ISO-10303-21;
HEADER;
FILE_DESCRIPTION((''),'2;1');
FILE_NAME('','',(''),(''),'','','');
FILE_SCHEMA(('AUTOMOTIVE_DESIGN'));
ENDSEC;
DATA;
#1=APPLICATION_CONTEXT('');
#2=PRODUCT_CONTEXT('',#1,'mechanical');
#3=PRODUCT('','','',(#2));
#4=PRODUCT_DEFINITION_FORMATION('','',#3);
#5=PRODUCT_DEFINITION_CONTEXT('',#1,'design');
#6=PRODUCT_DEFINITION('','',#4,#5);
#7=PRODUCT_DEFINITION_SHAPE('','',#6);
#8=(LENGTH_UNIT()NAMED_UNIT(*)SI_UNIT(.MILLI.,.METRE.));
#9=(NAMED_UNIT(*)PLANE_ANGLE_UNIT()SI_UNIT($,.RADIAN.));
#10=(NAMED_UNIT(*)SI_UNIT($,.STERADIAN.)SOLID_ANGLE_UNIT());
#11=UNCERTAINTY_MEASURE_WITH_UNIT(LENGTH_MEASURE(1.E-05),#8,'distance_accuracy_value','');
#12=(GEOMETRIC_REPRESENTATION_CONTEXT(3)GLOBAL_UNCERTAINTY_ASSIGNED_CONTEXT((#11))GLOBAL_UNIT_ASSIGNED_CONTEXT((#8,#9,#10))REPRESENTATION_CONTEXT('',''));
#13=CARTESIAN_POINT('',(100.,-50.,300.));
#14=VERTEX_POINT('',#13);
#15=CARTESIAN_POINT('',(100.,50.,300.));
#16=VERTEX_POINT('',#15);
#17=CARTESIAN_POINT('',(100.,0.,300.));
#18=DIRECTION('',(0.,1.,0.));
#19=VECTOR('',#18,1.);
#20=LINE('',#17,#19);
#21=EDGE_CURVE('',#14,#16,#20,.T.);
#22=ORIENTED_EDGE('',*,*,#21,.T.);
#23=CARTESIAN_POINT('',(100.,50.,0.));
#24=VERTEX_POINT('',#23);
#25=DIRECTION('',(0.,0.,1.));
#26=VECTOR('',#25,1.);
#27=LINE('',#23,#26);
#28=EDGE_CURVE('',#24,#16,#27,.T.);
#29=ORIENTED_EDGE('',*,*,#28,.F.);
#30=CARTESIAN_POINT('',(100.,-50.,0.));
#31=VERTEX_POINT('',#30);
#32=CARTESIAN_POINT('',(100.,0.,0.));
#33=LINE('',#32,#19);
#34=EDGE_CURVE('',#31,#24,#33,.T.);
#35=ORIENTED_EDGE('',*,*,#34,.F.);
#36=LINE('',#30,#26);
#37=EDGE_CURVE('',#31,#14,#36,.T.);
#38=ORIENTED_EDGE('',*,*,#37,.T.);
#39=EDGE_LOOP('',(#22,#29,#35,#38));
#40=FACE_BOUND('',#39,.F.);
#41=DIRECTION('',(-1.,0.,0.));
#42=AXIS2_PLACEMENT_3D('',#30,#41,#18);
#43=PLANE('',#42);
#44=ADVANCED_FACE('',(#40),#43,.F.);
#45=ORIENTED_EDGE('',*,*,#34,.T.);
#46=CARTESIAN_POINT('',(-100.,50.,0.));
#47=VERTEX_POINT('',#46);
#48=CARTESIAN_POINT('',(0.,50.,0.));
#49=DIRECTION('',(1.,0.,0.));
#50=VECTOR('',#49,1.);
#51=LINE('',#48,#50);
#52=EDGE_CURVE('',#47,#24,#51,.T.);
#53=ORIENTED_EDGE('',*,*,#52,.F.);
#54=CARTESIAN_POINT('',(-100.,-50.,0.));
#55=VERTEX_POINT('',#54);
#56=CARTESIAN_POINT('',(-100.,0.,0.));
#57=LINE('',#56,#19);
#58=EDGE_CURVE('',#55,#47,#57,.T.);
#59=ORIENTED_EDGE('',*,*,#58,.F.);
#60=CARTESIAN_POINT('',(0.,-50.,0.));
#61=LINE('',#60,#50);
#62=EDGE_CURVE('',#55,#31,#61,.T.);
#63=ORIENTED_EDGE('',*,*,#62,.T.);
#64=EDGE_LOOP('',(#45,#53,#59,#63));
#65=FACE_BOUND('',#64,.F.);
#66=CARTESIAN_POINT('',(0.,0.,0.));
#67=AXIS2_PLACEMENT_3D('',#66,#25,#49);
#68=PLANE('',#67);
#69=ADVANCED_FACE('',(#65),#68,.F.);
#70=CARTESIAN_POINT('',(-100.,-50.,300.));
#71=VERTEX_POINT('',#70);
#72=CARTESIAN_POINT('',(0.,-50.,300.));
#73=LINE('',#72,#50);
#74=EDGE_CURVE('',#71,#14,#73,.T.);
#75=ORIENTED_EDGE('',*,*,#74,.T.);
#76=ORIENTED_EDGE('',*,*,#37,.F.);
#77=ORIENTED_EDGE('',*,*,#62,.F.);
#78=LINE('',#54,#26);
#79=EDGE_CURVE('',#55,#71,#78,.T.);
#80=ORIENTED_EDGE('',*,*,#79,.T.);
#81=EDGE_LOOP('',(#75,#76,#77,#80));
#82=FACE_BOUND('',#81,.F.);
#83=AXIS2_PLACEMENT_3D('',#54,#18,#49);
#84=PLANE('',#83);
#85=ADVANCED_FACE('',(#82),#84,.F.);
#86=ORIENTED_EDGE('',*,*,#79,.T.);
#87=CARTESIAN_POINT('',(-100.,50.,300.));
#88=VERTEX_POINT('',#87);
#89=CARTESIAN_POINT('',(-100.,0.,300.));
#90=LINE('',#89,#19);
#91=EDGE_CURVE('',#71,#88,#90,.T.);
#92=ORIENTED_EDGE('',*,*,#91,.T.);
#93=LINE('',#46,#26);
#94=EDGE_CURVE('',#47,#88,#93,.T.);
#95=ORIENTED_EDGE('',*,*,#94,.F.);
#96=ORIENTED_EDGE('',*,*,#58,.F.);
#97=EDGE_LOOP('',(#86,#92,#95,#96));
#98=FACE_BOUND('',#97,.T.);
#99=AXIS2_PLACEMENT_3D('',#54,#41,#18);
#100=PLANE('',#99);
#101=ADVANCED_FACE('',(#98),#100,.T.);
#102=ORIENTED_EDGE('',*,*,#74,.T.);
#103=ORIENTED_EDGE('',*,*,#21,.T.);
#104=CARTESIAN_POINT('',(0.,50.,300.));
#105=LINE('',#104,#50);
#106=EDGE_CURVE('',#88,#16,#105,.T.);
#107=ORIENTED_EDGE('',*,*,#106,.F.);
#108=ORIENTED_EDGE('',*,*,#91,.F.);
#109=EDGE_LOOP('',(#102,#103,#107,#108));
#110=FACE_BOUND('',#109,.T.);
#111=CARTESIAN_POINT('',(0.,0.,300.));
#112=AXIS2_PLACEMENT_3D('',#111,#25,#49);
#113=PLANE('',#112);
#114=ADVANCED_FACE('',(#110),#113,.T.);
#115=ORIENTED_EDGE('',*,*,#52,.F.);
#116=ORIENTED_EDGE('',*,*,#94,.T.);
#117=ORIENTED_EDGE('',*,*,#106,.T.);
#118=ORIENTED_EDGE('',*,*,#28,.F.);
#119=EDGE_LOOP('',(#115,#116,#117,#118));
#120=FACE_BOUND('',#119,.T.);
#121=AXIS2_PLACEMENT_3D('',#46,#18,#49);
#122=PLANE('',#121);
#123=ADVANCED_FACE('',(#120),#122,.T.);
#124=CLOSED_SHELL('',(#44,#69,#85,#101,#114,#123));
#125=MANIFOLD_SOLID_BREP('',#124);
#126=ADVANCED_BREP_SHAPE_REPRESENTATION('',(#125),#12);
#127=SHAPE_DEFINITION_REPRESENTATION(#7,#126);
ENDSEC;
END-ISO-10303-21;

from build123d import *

# Parameters (mm, degrees)
SKETCH1_W           = 200
SKETCH1_H           = 100
BOSS_EXTRUDE1_DEPTH = 300


with BuildPart() as part:
    # Sketch1 → Boss-Extrude1 (new body)
    with BuildSketch(Plane.XY):
        Rectangle(SKETCH1_W, SKETCH1_H)
    extrude(amount=BOSS_EXTRUDE1_DEPTH)


solid = part.part
